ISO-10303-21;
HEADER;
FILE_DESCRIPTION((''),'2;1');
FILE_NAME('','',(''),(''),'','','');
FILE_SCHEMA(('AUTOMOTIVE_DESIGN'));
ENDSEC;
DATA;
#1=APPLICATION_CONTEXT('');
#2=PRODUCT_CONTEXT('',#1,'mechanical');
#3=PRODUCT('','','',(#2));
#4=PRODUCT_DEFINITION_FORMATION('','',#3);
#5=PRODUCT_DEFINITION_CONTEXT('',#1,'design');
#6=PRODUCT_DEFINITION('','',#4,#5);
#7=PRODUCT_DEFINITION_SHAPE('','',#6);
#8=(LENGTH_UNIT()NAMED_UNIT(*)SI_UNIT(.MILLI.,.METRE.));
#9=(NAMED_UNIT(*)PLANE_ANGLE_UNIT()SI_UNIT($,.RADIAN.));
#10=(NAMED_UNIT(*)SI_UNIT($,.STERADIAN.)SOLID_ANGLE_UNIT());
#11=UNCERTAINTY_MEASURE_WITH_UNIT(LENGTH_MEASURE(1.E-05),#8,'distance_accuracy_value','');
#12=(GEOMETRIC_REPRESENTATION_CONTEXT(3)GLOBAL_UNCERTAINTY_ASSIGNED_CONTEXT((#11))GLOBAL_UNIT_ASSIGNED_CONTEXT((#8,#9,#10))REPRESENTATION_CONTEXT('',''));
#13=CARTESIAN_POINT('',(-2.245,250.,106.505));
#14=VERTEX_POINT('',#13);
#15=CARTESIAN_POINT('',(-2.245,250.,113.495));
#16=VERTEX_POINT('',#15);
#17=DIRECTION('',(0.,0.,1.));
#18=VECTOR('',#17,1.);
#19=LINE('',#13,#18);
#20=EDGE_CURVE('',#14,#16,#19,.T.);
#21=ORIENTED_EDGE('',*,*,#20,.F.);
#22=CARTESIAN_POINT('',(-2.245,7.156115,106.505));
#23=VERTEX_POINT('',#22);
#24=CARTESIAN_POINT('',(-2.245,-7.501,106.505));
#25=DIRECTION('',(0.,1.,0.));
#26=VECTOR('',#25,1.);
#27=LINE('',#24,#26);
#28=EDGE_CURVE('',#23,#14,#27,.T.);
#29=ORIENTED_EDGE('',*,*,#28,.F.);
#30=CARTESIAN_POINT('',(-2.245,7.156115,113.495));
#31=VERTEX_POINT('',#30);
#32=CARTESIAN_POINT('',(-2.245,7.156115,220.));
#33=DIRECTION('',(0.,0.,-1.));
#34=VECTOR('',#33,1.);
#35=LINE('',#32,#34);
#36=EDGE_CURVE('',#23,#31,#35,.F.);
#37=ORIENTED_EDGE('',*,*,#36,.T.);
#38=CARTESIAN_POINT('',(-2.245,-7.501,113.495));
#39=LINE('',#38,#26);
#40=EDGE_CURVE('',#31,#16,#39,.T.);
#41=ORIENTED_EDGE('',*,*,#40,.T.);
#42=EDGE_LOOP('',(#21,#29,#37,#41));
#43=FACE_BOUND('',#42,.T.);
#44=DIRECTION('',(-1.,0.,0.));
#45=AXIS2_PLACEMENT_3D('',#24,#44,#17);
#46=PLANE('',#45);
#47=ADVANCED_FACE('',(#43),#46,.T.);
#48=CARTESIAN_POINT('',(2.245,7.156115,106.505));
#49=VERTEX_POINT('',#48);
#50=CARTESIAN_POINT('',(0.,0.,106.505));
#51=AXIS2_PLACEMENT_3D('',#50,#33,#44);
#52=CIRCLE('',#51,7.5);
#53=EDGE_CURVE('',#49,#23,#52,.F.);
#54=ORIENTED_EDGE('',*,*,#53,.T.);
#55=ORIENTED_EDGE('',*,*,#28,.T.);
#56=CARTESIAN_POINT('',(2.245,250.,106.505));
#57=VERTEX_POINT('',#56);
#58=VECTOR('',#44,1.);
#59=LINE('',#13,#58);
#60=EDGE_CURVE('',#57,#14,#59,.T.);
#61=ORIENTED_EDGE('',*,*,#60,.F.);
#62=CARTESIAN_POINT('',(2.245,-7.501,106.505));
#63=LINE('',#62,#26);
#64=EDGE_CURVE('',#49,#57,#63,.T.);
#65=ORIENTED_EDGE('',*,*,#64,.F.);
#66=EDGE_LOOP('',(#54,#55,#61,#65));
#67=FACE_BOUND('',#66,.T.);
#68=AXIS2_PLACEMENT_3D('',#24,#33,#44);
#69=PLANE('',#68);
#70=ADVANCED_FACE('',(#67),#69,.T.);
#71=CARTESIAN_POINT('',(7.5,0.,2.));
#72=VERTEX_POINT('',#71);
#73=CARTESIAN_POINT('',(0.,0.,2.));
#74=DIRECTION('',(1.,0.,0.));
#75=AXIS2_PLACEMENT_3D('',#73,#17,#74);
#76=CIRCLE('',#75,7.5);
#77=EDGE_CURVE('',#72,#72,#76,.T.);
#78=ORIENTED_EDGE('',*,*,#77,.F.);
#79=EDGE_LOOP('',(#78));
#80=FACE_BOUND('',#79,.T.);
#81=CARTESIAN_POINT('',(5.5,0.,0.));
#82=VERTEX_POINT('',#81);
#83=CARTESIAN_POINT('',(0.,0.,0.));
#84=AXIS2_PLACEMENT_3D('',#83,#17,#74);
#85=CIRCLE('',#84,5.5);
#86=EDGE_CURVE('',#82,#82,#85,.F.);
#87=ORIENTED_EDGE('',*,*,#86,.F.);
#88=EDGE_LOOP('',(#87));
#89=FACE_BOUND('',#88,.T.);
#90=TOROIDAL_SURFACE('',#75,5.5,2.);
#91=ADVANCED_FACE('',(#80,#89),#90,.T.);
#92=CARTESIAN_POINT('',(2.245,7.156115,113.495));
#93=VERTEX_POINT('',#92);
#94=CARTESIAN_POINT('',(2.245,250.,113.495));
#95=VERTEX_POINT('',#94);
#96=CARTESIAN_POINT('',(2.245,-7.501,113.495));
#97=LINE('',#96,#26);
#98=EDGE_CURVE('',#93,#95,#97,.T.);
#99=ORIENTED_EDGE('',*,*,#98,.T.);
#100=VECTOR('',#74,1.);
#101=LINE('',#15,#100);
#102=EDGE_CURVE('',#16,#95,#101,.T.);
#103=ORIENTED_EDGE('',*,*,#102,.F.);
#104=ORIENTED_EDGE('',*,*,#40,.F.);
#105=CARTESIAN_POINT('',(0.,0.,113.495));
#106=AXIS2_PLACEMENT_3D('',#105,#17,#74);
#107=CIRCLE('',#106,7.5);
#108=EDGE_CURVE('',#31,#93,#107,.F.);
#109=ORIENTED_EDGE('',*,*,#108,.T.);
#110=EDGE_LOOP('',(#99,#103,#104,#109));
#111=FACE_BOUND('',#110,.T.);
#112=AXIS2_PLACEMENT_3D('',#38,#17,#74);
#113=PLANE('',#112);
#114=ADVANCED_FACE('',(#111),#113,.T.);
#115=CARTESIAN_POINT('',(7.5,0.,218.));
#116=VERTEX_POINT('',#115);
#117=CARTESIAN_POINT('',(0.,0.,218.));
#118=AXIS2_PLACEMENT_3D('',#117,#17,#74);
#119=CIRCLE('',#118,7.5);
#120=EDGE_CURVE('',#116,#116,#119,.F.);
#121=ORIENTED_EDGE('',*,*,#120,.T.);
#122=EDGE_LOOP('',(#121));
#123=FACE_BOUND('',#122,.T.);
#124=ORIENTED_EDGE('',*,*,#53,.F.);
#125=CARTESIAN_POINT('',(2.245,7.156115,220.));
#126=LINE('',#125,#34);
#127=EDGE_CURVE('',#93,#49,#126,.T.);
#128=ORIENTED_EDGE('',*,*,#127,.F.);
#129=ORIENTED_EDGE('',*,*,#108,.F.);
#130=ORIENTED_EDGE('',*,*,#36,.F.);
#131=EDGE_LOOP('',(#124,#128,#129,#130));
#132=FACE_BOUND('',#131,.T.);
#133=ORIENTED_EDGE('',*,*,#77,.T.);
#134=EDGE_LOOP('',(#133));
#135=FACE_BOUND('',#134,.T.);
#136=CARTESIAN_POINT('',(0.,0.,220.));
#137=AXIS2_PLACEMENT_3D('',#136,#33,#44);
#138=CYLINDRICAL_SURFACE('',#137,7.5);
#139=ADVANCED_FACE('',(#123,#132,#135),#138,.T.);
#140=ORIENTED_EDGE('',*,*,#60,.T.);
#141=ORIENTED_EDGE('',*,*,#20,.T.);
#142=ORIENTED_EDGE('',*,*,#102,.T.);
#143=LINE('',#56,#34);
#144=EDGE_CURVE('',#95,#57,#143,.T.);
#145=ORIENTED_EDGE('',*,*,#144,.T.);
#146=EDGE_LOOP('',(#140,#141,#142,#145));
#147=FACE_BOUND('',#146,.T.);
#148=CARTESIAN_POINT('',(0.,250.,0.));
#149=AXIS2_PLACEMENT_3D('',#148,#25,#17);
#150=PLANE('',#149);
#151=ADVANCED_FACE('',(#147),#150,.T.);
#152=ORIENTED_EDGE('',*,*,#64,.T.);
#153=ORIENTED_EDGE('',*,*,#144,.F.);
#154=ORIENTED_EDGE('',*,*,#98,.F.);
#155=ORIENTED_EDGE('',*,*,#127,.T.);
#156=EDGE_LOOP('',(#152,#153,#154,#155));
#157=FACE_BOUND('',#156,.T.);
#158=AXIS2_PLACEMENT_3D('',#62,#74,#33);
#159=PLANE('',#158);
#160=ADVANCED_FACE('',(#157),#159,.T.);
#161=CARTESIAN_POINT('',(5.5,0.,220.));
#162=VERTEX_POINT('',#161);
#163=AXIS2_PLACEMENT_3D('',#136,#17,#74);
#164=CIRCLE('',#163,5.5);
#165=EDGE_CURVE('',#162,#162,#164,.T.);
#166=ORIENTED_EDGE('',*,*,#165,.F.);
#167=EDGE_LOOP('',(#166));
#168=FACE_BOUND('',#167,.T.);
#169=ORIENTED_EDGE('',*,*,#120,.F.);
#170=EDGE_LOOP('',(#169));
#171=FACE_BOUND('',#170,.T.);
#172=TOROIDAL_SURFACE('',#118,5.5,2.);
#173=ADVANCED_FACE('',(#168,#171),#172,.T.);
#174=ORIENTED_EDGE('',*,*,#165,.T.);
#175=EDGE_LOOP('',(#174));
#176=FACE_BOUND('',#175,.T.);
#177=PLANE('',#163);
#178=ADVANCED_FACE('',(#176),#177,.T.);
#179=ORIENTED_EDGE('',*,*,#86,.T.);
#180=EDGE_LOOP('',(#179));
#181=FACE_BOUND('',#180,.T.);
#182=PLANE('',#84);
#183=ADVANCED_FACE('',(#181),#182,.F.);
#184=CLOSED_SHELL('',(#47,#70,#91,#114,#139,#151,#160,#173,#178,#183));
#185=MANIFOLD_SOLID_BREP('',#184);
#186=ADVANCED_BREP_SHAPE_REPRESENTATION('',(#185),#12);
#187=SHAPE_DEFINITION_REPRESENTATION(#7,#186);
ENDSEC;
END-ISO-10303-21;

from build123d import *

# Parameters (mm, degrees)
SKETCH1_R           = 7.5
BOSS_EXTRUDE1_DEPTH = 220
FILLET1_R           = 2
BOSS_EXTRUDE2_REACH = 259.5
SKETCH3_W           = 4.49
SKETCH3_H           = 6.99


with BuildPart() as part:
    # Sketch1 → Boss-Extrude1 (new body)
    with BuildSketch(Plane.XY):
        Circle(SKETCH1_R)
    extrude(amount=BOSS_EXTRUDE1_DEPTH)

    # Fillet1
    fillet1_edges = [part.edges().sort_by_distance(p)[0] for p in [
        (-7.5, 0, 0),
        (-7.5, 0, 220),
    ]]
    fillet(fillet1_edges, radius=FILLET1_R)

    # Sketch3 → Boss-Extrude2 (add, up to next)
    with BuildSketch(Plane(origin=(0, 250, 0), x_dir=(1, 0, 0), z_dir=(0, 1, 0)), mode=Mode.PRIVATE) as boss_extrude2_sk1:
        with Locations((0, -110)):
            Rectangle(SKETCH3_W, SKETCH3_H)
    boss_extrude2_tool1 = extrude(boss_extrude2_sk1.sketch, amount=-BOSS_EXTRUDE2_REACH, mode=Mode.PRIVATE) - part.part
    add(boss_extrude2_tool1.solids().sort_by_distance((0, 250, 110))[0])


solid = part.part
